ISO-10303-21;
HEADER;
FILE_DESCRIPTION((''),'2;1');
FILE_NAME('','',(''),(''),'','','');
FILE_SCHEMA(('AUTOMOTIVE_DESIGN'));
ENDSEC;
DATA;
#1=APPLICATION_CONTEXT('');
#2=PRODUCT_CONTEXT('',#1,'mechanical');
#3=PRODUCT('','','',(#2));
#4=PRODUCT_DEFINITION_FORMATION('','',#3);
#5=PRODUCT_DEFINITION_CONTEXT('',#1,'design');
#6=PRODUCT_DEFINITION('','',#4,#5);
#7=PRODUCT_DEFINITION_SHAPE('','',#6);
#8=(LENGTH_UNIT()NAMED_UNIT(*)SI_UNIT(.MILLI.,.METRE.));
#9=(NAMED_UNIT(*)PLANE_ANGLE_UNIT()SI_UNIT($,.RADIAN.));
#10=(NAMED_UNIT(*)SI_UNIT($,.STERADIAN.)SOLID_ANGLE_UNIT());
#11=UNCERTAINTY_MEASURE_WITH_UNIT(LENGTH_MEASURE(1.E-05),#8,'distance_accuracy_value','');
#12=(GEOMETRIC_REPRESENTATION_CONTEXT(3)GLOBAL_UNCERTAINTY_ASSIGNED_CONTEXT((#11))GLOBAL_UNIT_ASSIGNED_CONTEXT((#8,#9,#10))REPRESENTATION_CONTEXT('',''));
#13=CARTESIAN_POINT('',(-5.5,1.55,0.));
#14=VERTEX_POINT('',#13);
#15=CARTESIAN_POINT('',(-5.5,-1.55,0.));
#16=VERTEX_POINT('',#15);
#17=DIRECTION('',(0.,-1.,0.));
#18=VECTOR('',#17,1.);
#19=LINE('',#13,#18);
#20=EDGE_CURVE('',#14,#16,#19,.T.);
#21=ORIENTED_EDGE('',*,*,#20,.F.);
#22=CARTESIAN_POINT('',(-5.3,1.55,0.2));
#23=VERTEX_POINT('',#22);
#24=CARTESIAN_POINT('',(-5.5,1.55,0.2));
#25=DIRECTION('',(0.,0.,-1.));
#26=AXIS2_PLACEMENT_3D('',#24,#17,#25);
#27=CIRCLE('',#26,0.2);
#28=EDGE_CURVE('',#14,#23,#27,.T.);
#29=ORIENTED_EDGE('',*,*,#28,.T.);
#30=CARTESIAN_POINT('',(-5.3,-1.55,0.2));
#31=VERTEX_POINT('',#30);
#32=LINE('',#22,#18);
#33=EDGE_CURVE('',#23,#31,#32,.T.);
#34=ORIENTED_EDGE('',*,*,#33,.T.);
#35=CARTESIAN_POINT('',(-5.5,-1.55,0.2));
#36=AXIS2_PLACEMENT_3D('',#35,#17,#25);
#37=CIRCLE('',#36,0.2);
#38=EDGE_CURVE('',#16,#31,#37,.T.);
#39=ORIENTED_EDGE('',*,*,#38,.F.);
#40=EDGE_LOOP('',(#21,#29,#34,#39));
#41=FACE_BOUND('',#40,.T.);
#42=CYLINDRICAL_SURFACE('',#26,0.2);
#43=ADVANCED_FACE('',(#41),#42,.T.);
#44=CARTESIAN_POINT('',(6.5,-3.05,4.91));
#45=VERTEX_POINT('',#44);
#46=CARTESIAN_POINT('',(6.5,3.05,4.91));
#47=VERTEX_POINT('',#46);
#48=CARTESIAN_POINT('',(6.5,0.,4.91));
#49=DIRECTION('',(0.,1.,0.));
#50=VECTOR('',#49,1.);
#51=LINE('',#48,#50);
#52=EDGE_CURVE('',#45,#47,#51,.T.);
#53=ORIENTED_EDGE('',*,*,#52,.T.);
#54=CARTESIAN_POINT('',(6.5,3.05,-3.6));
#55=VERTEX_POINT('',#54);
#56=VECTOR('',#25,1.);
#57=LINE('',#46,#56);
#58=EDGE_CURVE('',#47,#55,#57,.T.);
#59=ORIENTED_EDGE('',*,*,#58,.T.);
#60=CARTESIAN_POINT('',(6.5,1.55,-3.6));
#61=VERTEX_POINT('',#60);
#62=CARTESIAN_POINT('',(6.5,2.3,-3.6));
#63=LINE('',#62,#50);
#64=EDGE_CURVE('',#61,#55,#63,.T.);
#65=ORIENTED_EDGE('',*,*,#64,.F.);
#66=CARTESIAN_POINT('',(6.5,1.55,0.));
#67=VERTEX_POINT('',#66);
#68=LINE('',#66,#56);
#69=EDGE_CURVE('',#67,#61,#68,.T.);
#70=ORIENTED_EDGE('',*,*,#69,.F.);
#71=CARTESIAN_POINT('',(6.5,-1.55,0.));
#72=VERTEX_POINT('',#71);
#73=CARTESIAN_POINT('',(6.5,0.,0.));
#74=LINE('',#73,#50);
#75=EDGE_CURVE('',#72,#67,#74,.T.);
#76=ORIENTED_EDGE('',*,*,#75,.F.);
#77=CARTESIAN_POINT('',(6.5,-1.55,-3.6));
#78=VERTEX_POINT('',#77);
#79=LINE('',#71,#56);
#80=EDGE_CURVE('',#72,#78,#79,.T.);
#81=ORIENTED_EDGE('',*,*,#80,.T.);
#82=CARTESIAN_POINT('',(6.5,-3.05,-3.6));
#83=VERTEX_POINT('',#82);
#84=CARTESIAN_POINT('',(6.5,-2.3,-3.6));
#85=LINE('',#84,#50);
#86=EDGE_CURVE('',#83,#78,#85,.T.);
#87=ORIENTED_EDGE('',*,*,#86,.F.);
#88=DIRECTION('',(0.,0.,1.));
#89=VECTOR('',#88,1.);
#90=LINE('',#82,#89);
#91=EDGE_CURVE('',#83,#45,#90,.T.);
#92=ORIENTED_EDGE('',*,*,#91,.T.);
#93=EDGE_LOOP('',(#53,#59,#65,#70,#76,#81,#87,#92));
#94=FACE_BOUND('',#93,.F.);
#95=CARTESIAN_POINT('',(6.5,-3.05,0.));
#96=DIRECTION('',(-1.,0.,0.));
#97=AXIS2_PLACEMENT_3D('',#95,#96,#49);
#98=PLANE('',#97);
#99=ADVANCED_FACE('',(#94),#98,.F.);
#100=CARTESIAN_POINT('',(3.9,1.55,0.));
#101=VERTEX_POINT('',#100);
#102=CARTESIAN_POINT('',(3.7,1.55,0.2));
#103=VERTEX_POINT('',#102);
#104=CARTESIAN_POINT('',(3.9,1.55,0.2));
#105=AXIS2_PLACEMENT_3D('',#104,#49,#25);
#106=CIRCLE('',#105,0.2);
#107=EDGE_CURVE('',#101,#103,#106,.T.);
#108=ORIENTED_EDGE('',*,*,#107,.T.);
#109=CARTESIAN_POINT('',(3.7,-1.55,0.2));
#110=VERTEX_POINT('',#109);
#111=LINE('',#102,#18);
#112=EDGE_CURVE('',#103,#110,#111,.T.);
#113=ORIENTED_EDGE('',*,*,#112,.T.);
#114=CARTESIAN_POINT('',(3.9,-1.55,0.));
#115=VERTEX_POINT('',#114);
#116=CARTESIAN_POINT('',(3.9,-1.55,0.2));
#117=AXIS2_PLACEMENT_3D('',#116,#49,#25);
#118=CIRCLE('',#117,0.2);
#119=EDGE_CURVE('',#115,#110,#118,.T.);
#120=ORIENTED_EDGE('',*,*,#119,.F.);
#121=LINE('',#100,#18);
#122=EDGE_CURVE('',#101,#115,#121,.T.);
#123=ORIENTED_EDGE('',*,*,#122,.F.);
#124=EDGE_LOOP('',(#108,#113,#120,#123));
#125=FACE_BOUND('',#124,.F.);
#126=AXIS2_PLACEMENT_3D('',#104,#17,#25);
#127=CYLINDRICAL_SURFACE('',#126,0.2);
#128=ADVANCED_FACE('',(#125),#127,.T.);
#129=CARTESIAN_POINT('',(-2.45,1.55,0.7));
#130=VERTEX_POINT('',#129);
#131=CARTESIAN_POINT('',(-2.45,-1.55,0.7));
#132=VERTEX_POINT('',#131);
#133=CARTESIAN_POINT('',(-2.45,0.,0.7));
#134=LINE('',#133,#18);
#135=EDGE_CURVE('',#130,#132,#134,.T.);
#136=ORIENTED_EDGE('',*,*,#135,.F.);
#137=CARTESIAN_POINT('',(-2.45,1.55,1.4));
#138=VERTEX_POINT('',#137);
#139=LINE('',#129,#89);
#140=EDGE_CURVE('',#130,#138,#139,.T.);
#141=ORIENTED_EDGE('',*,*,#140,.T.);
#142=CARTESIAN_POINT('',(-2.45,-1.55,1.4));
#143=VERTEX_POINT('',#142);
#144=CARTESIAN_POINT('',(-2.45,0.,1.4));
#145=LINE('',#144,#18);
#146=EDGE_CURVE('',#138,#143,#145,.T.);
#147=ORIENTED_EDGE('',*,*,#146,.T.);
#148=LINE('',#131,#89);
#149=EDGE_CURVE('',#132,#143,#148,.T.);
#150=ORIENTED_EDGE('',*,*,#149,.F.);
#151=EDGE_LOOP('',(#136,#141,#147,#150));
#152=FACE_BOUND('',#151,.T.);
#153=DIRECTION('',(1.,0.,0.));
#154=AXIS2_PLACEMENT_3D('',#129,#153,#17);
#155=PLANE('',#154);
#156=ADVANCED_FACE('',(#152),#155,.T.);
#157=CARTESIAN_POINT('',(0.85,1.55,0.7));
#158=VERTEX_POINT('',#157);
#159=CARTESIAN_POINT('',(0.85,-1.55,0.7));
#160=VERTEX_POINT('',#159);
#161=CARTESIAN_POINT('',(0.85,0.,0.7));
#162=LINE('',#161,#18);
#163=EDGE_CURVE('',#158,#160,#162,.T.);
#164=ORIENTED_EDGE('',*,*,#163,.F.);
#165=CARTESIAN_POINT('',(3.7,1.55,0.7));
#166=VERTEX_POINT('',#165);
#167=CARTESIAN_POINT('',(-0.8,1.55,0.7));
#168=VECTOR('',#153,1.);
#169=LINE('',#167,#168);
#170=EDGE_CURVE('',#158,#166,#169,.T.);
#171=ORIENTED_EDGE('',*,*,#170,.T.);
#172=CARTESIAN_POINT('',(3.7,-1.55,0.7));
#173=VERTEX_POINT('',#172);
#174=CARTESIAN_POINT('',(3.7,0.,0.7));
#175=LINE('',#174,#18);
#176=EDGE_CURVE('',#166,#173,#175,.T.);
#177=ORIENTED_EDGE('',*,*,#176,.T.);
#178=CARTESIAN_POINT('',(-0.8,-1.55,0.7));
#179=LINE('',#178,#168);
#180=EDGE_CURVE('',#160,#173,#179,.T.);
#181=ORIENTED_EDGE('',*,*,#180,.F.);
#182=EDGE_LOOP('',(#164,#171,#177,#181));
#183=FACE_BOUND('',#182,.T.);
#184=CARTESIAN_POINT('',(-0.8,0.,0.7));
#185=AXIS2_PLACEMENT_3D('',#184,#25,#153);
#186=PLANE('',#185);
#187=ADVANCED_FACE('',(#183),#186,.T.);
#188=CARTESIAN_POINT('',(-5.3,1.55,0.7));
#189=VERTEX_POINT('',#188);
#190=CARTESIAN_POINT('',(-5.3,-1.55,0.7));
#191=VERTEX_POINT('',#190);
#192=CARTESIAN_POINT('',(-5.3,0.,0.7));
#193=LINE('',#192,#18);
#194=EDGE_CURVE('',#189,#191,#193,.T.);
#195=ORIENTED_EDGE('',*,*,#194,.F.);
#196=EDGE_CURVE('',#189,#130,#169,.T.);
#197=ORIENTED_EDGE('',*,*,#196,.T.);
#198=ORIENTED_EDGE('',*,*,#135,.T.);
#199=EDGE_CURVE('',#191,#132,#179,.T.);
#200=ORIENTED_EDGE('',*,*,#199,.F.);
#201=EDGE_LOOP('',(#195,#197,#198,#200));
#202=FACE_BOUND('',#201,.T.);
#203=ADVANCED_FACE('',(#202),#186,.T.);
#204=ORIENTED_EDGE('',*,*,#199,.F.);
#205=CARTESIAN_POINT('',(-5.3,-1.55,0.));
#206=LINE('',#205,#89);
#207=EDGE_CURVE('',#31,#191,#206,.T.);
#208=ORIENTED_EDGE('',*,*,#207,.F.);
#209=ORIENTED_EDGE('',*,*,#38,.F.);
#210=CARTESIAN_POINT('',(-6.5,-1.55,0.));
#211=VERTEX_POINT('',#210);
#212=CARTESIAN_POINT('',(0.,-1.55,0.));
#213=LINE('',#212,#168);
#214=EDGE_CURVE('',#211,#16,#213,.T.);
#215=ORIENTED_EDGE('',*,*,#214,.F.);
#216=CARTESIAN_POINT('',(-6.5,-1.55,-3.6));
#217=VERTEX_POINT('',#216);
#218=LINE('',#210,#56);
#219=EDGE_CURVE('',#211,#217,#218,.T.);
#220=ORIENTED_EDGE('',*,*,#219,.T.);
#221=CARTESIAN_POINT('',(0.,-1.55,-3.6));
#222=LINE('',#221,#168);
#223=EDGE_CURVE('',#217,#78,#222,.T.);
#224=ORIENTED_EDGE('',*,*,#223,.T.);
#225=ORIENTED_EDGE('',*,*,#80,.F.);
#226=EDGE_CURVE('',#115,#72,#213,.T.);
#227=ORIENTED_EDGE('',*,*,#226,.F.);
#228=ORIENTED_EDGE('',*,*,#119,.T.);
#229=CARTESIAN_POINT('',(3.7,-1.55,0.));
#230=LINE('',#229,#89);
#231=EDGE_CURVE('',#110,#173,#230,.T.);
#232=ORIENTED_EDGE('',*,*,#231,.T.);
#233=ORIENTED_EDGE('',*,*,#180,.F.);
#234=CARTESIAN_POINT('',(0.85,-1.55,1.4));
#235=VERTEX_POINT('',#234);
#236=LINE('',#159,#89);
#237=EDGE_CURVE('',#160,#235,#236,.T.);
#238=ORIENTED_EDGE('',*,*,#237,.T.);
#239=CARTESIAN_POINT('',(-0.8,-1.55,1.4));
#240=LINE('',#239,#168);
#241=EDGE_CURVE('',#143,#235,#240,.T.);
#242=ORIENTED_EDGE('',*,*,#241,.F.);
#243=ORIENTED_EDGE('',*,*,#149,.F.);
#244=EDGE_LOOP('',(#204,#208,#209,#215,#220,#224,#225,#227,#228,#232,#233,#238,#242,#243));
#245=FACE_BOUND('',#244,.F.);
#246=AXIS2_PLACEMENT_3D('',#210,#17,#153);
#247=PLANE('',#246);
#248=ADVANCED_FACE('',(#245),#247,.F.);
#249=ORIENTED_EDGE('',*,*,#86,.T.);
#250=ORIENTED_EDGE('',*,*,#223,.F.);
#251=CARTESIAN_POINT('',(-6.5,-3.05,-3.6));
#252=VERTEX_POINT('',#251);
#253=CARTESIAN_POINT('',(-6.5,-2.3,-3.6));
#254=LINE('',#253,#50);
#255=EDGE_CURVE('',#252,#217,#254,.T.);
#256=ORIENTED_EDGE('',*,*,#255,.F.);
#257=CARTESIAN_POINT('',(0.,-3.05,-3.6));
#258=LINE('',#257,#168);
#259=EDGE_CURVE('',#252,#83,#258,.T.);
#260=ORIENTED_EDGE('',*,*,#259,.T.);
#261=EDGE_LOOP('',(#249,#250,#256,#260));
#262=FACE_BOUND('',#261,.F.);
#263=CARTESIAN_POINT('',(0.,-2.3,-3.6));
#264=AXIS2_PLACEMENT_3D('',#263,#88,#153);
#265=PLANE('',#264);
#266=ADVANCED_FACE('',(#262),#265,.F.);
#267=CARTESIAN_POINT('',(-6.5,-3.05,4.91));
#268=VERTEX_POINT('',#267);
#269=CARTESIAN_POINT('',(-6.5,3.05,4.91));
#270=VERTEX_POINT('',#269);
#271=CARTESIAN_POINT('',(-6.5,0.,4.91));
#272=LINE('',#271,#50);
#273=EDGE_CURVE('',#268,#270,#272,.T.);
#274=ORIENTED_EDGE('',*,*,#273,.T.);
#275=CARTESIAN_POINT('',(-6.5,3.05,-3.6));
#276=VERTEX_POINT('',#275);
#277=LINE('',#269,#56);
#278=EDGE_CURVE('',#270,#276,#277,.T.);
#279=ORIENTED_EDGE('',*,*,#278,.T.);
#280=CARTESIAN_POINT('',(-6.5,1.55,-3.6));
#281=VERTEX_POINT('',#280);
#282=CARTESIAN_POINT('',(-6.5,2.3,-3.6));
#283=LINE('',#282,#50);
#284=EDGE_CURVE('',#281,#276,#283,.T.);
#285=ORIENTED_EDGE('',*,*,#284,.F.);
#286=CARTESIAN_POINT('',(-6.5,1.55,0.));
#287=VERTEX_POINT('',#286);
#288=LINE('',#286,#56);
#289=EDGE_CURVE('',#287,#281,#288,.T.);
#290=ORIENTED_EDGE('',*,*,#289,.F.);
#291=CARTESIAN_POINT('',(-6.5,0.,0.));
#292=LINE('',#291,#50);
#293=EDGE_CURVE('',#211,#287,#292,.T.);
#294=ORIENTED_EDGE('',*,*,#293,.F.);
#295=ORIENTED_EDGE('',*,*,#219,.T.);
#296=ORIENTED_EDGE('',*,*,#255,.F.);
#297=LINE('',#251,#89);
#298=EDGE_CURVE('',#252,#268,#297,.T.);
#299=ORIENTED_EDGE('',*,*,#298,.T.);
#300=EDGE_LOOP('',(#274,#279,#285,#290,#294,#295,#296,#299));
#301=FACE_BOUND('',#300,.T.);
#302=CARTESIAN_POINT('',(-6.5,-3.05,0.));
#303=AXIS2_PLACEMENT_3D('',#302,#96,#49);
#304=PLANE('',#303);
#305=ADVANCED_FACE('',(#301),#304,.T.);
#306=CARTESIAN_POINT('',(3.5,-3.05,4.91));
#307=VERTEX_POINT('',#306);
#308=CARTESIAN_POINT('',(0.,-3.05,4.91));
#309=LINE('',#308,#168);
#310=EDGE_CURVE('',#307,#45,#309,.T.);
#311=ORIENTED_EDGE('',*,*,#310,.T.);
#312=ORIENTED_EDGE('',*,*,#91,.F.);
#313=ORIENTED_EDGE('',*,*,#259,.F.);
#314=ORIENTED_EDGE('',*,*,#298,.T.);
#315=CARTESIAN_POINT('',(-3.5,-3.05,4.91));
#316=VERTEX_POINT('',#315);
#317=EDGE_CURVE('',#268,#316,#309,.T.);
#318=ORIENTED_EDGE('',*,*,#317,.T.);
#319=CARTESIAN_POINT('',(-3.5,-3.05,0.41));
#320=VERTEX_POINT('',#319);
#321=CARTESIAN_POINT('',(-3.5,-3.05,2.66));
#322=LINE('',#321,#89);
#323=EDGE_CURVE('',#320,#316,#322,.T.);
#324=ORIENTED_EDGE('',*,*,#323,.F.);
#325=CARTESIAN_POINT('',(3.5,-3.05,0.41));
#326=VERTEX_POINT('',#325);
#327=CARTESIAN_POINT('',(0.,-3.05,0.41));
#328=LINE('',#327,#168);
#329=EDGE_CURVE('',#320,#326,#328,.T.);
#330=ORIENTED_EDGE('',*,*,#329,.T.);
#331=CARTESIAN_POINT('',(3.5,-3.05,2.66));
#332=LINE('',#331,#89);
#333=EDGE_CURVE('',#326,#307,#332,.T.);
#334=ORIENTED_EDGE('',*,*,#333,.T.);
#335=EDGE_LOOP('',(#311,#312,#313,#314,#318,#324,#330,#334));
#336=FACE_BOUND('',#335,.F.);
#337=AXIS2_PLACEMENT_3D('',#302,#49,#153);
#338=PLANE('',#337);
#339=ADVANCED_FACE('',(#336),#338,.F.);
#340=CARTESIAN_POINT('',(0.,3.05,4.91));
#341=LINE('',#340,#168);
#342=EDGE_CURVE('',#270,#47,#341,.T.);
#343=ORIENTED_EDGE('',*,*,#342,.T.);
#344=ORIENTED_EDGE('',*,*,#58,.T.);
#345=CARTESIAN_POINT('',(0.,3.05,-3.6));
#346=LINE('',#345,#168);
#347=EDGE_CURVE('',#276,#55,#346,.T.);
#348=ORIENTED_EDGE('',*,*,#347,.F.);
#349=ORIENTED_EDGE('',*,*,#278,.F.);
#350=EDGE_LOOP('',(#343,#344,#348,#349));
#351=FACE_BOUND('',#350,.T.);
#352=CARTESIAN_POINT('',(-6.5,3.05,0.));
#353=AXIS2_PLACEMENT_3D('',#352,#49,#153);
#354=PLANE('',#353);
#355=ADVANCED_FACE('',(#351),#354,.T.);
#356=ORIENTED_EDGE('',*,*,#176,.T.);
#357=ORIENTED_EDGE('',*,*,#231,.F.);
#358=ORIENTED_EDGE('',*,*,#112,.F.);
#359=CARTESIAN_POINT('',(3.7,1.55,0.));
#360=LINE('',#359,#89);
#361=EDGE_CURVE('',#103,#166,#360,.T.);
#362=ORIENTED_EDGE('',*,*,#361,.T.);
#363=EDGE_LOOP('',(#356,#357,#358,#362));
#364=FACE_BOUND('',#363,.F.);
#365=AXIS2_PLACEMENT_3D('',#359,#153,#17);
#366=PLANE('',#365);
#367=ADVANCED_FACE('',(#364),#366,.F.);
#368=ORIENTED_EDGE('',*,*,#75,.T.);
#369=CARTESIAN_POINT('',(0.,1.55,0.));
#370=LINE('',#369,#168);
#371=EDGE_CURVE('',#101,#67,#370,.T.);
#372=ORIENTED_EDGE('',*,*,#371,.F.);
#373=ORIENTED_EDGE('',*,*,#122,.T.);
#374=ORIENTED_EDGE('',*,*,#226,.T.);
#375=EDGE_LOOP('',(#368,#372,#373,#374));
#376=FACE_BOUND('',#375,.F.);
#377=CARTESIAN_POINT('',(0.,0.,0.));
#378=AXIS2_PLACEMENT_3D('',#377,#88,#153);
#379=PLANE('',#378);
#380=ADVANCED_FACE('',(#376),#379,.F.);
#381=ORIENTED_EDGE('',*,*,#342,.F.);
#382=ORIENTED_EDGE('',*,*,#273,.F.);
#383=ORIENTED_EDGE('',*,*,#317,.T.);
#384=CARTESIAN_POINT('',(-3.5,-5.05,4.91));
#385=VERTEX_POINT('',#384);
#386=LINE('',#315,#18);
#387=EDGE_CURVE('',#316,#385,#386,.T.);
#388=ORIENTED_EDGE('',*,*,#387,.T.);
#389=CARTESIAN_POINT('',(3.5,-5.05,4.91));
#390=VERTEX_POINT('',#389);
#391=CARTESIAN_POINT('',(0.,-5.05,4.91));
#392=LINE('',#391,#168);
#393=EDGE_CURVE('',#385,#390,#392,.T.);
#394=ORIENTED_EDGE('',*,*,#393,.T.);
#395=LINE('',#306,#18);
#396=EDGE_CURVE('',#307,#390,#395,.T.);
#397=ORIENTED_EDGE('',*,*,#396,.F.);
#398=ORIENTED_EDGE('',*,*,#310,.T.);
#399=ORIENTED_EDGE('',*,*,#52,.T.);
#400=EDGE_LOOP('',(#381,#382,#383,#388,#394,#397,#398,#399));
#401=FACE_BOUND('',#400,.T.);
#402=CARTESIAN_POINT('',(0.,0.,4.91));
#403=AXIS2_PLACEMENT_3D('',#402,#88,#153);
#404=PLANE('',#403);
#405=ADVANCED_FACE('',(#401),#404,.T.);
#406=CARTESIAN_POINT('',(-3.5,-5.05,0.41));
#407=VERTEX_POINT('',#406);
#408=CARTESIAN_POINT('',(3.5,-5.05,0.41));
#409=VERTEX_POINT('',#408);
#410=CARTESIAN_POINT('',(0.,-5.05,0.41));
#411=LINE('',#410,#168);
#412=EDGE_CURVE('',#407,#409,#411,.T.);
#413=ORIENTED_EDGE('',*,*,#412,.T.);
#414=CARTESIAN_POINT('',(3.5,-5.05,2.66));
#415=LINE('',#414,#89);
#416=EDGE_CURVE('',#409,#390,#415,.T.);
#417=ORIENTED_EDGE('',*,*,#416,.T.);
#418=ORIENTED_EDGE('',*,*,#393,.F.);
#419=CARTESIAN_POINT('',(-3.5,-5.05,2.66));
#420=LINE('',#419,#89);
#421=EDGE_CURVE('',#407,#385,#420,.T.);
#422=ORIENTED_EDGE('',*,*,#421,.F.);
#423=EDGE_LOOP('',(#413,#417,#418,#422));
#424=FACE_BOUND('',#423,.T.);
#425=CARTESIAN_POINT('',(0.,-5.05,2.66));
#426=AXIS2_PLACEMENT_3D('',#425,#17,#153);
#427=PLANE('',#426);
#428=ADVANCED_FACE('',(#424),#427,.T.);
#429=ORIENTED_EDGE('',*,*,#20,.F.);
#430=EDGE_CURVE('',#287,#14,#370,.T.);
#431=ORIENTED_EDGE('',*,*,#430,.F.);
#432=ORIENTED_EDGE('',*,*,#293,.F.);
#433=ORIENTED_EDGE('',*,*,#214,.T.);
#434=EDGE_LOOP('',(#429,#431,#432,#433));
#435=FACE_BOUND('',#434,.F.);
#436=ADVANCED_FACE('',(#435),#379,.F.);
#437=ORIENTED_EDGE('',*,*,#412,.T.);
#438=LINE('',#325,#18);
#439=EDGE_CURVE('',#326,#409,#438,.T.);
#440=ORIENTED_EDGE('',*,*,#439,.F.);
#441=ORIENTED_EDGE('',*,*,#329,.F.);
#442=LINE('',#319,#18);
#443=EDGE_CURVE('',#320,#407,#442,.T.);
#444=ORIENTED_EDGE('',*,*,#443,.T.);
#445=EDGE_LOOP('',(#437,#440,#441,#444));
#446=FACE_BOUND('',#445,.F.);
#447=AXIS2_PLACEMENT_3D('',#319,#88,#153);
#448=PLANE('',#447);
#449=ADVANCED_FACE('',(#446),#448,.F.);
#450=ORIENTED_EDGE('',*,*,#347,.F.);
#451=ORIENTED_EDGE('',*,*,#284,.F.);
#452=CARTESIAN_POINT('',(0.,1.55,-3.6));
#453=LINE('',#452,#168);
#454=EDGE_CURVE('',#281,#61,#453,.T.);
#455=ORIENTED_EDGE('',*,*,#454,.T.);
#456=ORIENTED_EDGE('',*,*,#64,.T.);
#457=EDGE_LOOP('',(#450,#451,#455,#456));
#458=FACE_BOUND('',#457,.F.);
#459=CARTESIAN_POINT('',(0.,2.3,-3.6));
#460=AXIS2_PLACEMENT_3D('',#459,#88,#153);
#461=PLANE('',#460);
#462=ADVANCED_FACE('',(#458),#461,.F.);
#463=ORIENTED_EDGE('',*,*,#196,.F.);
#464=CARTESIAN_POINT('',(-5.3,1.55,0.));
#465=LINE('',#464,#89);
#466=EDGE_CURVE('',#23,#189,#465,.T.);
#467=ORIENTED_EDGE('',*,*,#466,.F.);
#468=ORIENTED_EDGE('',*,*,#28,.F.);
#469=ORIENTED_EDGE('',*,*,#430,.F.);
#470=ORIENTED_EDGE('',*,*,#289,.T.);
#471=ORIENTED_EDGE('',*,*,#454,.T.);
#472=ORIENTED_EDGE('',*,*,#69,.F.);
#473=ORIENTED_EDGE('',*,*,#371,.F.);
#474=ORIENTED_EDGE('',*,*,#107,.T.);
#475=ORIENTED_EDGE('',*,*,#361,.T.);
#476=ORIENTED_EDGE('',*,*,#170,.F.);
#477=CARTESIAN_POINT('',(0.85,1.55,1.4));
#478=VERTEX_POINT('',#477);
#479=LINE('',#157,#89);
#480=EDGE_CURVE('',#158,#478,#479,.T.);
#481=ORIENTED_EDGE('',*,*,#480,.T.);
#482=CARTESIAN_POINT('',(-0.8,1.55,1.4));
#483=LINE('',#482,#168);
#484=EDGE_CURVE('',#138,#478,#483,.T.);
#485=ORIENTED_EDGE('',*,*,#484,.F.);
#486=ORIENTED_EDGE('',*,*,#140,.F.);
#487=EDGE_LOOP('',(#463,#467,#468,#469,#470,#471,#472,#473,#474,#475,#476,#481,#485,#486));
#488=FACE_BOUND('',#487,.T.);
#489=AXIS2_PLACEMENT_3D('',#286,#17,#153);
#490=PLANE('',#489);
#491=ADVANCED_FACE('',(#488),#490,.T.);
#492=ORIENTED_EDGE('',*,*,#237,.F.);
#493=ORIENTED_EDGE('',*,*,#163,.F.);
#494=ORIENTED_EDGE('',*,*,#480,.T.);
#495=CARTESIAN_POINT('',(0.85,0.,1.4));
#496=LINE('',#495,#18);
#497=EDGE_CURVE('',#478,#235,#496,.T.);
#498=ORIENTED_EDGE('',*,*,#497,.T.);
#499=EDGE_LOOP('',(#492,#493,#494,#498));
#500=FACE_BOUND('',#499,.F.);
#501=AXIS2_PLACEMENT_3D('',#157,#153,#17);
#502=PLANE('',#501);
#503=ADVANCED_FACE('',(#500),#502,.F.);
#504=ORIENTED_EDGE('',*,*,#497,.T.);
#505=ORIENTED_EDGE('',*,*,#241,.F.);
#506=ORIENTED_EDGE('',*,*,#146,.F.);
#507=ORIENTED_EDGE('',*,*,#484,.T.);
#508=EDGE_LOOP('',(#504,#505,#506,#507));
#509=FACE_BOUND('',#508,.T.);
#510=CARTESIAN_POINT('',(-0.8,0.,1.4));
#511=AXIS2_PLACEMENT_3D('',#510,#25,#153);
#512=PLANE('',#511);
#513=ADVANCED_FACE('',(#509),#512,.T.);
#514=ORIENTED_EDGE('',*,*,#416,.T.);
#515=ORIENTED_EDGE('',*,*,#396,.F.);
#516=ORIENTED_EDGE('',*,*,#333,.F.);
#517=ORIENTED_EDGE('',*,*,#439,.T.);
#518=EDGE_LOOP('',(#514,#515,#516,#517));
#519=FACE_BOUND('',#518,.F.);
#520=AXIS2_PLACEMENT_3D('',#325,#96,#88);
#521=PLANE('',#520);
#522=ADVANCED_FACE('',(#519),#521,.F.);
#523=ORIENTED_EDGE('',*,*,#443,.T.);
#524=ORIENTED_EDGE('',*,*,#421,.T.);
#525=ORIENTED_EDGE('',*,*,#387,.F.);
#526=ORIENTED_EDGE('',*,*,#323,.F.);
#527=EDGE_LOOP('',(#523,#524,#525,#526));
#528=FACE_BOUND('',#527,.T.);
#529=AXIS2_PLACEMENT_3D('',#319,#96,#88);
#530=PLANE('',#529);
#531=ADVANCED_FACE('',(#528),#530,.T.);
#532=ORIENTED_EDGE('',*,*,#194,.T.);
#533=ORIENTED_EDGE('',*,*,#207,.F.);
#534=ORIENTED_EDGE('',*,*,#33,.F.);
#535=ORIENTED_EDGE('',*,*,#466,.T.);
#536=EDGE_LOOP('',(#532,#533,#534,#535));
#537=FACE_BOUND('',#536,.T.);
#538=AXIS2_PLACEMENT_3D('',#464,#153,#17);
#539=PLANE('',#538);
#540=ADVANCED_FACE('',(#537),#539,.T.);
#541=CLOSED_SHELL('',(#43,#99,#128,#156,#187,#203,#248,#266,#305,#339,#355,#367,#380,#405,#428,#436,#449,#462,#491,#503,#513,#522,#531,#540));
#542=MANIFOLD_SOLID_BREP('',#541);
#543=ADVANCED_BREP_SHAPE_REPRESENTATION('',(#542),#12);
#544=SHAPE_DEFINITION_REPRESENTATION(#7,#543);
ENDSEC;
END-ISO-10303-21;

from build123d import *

# Parameters (mm, degrees)
F0_W     = 13
F0_H     = 1.5
F1_DEPTH = 3.6
F2_W     = 13
F2_H     = 6.1
F3_DEPTH = 4.91
F4_W     = 9
F4_H     = 3.1
F5_DEPTH = 0.7
F6_W     = 3.3
F6_H     = 3.1
F7_DEPTH = 0.7
F8_W     = 7
F8_H     = 4.5
F9_DEPTH = 2
F10_R    = 0.2


with BuildPart() as f1:
    # F0 (on Top) → F1 (new body)
    with BuildSketch(Plane.XY):
        with Locations((0, 2.3)):
            Rectangle(F0_W, F0_H)
        with Locations((0, -2.3)):
            Rectangle(F0_W, F0_H)
    extrude(amount=-F1_DEPTH)

    # F2 (on Top) → F3 (join)
    with BuildSketch(Plane.XY):
        Rectangle(F2_W, F2_H)
    extrude(amount=F3_DEPTH)

    # F4 (on face) → F5 (cut)
    with BuildSketch(Plane(origin=(0, 0, 0), x_dir=(1, 0, 0), z_dir=(0, 0, -1))):
        with Locations((-0.8, 0)):
            Rectangle(F4_W, F4_H)
    extrude(amount=-F5_DEPTH, mode=Mode.SUBTRACT)

    # F6 (on face) → F7 (cut)
    with BuildSketch(Plane(origin=(0, 0, 0.7), x_dir=(1, 0, 0), z_dir=(0, 0, -1))):
        with Locations((-0.8, 0)):
            Rectangle(F6_W, F6_H)
    extrude(amount=-F7_DEPTH, mode=Mode.SUBTRACT)

    # F8 (on face) → F9 (join)
    with BuildSketch(Plane.XZ.offset(3.05)):
        with Locations((0, 2.66)):
            Rectangle(F8_W, F8_H)
    extrude(amount=F9_DEPTH)

    # F10
    f10_edges = [f1.edges().sort_by_distance(p)[0] for p in [
        (-5.3, 0, 0),
        (3.7, 0, 0),
    ]]
    fillet(f10_edges, radius=F10_R)


solid = f1.part
